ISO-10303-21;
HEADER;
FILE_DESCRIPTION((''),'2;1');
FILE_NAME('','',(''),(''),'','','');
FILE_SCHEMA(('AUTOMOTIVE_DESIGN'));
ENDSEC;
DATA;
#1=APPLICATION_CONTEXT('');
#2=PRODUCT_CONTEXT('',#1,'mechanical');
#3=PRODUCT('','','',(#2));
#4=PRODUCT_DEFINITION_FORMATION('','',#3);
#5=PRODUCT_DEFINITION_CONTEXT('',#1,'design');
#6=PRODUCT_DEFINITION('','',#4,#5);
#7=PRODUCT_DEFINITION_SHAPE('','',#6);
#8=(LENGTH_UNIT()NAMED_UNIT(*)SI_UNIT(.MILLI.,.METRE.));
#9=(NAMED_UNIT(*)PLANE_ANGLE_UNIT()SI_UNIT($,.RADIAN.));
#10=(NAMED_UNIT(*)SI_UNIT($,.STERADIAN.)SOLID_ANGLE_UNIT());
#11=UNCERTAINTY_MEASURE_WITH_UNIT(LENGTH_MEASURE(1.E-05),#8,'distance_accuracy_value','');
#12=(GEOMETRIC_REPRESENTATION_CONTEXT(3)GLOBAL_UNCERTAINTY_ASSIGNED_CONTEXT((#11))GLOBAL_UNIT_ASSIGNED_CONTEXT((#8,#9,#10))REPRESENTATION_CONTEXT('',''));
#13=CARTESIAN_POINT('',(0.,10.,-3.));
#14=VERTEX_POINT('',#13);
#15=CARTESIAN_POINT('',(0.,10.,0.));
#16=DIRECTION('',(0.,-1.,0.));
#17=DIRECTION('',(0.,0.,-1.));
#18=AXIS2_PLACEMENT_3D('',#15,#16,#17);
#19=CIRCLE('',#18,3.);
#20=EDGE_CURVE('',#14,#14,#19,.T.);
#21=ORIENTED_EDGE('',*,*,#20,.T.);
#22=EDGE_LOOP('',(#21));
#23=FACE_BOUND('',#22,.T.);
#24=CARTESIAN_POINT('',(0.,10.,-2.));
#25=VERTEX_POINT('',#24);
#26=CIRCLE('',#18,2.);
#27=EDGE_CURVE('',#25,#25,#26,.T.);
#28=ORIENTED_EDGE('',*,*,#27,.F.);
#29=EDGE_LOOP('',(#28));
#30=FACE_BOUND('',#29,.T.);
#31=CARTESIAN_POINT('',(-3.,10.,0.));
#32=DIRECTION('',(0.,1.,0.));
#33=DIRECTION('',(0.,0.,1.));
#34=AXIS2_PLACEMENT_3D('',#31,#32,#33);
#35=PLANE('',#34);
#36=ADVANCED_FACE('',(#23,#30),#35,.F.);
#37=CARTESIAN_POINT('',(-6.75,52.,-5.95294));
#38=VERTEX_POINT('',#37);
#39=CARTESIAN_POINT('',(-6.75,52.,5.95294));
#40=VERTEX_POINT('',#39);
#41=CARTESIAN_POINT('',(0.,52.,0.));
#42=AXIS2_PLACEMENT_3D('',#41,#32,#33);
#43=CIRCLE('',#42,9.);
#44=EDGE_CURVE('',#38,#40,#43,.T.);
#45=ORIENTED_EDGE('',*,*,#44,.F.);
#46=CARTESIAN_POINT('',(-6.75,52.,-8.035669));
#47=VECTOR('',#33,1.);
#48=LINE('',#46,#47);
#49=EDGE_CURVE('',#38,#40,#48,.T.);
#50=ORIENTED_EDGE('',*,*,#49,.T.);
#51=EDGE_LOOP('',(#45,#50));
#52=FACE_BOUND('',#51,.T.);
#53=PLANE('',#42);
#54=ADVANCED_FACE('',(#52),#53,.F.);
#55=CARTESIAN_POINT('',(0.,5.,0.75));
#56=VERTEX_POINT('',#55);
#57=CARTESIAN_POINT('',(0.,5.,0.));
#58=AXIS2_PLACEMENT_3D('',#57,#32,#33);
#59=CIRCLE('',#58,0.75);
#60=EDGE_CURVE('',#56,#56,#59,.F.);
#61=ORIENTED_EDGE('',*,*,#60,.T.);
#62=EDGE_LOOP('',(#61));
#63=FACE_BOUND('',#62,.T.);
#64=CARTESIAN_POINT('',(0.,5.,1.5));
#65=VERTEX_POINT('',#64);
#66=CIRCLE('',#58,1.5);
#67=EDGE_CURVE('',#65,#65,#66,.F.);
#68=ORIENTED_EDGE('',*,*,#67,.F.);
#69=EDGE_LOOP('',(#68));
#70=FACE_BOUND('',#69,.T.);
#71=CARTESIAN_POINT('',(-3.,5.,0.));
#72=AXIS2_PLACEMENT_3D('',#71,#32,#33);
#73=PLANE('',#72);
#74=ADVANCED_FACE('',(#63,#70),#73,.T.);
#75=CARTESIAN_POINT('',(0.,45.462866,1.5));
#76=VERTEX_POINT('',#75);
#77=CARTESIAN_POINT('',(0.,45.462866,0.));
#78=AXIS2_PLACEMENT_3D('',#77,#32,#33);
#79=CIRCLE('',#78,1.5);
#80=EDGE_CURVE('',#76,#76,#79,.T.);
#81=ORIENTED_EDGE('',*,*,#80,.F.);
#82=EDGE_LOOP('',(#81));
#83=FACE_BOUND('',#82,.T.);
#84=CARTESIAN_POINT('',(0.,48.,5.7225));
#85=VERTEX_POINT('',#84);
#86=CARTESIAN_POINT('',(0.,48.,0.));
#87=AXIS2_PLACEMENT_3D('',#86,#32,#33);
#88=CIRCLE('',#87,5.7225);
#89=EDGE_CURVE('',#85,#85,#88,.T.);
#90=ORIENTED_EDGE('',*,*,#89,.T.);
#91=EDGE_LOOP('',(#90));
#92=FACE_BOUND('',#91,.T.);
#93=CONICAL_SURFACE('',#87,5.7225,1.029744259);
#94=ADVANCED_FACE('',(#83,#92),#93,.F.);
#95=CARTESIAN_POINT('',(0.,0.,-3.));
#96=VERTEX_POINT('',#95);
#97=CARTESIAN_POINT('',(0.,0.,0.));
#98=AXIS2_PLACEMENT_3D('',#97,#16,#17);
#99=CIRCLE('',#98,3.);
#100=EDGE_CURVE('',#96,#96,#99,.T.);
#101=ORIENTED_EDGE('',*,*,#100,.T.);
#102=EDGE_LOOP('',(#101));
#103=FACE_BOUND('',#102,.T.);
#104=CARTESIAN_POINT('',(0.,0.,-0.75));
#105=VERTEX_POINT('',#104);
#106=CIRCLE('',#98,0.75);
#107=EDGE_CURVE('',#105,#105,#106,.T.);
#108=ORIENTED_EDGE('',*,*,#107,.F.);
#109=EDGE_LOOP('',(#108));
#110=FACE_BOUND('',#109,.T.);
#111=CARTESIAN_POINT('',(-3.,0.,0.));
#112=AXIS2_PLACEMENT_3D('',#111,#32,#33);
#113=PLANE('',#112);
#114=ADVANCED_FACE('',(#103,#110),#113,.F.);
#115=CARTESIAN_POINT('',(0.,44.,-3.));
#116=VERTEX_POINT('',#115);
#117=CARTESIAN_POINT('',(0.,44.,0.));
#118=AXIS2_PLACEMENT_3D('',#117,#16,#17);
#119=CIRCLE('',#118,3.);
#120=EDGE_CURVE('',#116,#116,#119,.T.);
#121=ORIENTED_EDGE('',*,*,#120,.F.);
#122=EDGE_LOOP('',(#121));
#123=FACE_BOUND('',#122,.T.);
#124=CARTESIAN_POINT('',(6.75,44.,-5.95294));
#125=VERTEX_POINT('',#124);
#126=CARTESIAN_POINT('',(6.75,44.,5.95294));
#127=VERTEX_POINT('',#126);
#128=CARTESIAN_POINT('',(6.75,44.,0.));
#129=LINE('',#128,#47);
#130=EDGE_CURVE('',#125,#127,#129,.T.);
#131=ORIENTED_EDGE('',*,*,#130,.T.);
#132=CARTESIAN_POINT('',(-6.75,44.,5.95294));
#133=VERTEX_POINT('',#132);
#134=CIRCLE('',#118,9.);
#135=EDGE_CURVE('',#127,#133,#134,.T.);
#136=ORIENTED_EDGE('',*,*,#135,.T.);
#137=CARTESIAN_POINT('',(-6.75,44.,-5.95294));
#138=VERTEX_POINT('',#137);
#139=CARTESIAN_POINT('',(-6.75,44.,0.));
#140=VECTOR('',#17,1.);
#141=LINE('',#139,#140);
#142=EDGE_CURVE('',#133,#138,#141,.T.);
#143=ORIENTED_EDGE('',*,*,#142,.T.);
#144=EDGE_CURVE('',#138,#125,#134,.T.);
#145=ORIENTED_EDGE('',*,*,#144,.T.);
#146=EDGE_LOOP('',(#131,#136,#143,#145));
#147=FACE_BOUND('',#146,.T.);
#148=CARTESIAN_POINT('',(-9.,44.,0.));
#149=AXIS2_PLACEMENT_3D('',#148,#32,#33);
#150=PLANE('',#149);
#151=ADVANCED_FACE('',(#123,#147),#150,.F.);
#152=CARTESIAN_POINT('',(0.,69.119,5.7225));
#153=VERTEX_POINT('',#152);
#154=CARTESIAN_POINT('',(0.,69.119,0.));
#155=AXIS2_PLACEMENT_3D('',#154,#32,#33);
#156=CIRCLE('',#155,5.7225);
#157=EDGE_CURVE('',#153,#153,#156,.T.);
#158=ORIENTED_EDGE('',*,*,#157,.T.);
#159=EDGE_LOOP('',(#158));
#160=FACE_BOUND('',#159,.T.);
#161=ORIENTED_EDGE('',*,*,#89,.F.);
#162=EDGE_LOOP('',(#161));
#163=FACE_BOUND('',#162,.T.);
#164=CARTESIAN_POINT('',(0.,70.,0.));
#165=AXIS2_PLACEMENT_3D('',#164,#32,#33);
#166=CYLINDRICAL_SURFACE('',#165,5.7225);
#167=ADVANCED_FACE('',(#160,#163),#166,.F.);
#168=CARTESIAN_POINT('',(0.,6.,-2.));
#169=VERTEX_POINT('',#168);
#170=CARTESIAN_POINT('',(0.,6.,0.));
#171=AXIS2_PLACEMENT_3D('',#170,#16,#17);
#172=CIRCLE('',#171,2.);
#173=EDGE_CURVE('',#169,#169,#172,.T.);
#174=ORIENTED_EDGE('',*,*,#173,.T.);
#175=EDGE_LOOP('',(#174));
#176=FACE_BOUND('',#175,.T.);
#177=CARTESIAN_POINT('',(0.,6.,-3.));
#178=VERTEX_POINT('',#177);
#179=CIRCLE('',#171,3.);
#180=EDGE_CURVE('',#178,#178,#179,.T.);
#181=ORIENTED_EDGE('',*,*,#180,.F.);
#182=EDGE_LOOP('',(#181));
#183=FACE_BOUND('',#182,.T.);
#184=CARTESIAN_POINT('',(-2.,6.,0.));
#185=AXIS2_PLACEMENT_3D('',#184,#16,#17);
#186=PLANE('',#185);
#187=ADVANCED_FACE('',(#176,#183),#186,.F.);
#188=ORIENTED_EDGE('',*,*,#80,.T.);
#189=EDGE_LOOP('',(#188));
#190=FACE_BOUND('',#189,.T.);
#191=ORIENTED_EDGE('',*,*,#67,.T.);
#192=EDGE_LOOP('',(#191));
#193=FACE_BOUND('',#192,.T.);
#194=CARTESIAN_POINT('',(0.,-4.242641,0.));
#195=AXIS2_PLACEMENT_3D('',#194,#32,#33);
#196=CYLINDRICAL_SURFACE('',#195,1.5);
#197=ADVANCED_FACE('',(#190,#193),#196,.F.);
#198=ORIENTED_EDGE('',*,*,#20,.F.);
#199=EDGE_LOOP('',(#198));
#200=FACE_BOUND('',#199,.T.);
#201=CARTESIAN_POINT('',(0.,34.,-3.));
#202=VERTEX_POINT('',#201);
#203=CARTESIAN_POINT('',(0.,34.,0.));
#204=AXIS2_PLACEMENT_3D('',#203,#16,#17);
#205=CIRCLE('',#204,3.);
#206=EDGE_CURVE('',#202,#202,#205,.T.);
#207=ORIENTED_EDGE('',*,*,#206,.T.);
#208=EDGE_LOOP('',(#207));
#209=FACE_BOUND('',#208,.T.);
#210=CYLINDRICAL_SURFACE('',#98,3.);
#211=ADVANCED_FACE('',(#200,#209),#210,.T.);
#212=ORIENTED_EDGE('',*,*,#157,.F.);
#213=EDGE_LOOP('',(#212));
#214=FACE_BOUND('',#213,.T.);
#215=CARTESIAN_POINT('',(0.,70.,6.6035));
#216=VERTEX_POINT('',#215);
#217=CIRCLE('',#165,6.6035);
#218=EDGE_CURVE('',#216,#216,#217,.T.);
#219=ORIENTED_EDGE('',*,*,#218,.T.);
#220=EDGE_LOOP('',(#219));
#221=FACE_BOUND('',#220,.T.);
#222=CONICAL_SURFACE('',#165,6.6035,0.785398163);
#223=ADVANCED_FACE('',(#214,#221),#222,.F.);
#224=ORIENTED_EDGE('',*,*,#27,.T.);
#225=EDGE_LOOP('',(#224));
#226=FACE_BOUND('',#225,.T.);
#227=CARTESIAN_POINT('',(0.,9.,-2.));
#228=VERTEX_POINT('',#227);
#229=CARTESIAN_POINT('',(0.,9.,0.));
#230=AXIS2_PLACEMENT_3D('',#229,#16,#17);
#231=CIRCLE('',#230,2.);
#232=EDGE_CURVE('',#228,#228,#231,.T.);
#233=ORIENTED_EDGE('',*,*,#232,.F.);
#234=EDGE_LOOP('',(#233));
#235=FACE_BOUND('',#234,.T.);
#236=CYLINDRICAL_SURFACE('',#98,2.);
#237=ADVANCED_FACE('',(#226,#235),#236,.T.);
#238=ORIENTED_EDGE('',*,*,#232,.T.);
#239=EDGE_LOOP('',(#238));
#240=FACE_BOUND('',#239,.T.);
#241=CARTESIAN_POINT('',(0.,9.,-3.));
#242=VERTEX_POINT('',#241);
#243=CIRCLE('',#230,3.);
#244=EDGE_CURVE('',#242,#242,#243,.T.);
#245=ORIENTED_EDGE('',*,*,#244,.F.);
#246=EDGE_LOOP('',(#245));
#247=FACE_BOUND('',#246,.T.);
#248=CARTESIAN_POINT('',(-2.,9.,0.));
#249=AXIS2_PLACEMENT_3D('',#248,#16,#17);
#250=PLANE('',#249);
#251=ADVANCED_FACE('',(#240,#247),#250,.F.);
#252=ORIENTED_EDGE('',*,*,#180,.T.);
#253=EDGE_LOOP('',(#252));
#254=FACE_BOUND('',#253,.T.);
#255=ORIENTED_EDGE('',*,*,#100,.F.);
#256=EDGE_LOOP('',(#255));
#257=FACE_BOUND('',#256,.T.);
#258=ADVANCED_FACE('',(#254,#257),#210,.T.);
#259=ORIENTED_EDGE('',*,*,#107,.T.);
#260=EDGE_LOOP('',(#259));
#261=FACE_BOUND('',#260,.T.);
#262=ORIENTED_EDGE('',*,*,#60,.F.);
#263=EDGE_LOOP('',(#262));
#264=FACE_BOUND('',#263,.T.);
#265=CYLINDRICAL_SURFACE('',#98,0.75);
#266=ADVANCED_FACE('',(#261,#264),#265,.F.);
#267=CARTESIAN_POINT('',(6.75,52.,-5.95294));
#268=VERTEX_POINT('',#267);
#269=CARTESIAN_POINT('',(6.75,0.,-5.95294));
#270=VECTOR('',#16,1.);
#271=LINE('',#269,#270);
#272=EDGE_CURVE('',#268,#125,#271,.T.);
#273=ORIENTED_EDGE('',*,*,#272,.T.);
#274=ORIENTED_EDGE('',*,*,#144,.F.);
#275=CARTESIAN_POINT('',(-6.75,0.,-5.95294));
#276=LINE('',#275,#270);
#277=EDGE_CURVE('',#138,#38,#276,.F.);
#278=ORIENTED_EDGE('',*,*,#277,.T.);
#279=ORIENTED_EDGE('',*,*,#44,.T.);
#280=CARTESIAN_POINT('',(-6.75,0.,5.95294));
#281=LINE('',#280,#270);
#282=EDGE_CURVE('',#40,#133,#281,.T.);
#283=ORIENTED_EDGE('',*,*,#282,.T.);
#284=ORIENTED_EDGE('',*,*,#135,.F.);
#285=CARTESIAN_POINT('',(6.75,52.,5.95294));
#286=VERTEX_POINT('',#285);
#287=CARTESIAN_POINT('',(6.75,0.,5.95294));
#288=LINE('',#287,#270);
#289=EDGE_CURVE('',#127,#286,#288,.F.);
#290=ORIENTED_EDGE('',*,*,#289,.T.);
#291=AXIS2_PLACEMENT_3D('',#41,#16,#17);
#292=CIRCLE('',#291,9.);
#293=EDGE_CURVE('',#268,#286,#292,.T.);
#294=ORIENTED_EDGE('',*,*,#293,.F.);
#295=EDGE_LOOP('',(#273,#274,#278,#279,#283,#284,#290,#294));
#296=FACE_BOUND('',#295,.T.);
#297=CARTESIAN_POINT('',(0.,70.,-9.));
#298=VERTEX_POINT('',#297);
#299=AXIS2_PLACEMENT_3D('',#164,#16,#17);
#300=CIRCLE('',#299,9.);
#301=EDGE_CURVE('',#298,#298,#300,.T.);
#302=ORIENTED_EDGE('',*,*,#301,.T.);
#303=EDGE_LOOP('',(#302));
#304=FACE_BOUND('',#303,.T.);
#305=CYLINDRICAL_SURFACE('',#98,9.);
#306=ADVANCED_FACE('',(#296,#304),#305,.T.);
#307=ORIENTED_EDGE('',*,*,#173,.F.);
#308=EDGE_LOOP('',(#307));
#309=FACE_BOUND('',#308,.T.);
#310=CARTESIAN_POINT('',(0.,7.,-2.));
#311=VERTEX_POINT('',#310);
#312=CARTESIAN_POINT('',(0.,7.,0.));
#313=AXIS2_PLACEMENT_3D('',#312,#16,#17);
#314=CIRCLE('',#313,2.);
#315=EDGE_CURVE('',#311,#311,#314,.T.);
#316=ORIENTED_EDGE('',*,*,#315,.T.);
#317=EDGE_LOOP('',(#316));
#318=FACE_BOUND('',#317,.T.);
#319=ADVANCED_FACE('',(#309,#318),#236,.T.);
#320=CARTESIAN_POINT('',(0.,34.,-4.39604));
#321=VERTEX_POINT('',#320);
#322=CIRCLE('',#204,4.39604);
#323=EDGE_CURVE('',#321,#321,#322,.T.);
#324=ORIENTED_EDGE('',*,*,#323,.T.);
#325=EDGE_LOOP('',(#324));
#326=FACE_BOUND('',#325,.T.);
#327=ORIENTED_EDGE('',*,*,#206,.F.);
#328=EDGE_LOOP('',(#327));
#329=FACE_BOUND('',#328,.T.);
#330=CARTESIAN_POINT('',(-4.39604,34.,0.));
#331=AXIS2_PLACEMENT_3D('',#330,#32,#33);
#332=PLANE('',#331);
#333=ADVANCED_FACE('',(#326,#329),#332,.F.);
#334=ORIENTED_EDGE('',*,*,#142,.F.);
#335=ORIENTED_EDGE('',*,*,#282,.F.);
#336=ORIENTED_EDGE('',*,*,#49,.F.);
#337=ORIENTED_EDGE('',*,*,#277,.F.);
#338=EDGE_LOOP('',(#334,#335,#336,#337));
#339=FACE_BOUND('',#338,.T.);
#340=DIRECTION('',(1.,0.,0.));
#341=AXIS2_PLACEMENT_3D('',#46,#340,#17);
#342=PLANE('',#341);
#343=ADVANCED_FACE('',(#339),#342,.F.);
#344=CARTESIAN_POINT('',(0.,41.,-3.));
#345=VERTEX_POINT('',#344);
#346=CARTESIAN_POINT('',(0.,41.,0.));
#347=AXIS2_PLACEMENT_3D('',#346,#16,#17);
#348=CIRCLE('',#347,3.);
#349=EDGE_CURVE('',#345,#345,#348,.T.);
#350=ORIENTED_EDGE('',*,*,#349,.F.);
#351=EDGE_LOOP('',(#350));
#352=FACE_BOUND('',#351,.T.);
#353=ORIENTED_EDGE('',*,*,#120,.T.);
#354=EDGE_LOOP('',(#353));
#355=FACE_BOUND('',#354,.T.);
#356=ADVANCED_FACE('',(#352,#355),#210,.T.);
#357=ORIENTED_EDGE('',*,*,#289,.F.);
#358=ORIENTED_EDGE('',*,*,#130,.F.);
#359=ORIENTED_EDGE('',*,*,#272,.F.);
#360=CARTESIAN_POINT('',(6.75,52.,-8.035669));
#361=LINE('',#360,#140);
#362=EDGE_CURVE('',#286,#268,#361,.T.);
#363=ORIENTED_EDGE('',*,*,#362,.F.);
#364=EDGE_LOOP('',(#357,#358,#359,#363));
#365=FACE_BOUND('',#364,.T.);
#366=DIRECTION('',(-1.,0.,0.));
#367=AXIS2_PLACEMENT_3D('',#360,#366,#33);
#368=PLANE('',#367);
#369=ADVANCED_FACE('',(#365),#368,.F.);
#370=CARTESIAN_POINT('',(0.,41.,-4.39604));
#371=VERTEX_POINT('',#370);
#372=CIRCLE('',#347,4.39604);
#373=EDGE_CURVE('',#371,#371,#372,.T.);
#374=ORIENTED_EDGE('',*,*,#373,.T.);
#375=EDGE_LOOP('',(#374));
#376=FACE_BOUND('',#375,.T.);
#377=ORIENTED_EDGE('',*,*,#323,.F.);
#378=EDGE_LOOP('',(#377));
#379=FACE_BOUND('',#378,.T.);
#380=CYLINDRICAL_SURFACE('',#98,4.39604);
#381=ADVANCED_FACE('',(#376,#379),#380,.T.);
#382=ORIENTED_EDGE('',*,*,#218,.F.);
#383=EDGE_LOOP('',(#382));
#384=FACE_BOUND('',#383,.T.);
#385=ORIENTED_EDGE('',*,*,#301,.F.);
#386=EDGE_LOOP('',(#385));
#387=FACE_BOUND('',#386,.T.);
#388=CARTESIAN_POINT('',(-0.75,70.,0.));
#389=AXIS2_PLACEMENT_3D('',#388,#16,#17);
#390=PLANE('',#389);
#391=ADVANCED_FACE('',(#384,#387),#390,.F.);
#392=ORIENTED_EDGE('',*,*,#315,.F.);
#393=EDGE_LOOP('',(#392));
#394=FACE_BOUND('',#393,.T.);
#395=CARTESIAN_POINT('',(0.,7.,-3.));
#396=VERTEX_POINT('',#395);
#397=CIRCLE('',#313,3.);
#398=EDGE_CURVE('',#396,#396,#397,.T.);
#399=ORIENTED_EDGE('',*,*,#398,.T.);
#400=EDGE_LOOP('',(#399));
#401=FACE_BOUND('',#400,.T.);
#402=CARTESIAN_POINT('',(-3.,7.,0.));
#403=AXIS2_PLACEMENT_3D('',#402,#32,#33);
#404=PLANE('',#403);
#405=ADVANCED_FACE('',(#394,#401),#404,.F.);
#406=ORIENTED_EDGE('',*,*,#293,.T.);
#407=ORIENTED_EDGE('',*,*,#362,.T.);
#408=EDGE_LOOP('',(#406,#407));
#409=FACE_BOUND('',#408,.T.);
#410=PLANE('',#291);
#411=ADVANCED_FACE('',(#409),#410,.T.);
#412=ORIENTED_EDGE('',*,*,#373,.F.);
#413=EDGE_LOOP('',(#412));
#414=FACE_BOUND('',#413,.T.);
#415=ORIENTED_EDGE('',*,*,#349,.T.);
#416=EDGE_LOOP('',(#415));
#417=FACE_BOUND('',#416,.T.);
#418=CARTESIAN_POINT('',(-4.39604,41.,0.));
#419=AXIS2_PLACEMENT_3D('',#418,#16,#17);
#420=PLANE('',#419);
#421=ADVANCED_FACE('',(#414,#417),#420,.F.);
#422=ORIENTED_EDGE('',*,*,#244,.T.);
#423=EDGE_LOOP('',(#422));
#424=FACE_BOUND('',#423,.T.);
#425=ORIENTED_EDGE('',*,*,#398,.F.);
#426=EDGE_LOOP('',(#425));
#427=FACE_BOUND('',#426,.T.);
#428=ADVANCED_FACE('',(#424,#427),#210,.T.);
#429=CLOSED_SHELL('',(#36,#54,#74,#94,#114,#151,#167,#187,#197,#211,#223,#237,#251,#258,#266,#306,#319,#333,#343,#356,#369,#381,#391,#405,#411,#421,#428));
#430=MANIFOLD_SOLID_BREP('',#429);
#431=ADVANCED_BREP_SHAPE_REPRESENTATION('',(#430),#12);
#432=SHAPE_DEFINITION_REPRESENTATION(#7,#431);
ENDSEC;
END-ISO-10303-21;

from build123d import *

# Parameters (mm, degrees)
SKETCH17_R                    = 1.5
CUT_EXTRUDE1_DEPTH            = 65
G1_4_TAPPED_HOLE1_D           = 11.445
G1_4_TAPPED_HOLE1_DEPTH       = 22
G1_4_TAPPED_HOLE1_CSINK_D     = 13.207
G1_4_TAPPED_HOLE1_CSINK_ANGLE = 90
G1_4_TAPPED_HOLE1_TIP         = 3.438424892
SKETCH18_W                    = 13.595594723
SKETCH18_H                    = 16.071338344
CUT_EXTRUDE2_DEPTH            = 8


with BuildPart() as part:
    # Sketch1 → Revolve1 (revolve)
    with BuildSketch(Plane.XY):
        Polygon((-0.75, 0), (-0.75, 70), (-9, 70), (-9, 44), (-3, 44), (-3, 41), (-4.396039606, 41), (-4.396039606, 34), (-3, 34), (-3, 10), (-2, 10), (-2, 9), (-3, 9), (-3, 7), (-2, 7), (-2, 6), (-3, 6), (-3, 0), align=None)
    revolve(axis=Axis((0, 0, 0), (0, 1, 0)))

    # Sketch17 → Cut-Extrude1 (cut)
    with BuildSketch(Plane(origin=(0, 70, 0), x_dir=(1, 0, 0), z_dir=(0, 1, 0))):
        Circle(SKETCH17_R)
    extrude(amount=-CUT_EXTRUDE1_DEPTH, mode=Mode.SUBTRACT)

    # G1/4 Tapped Hole1
    with Locations(Plane(origin=(0, 70, 0), x_dir=(1, 0, 0), z_dir=(0, 1, 0))):
        with Locations((0, 0)):
            CounterSinkHole(G1_4_TAPPED_HOLE1_D / 2, G1_4_TAPPED_HOLE1_CSINK_D / 2, depth=G1_4_TAPPED_HOLE1_DEPTH, counter_sink_angle=G1_4_TAPPED_HOLE1_CSINK_ANGLE)
            with Locations((0, 0, -(G1_4_TAPPED_HOLE1_DEPTH + G1_4_TAPPED_HOLE1_TIP / 2))):  # 118° drill point
                Cone(0, G1_4_TAPPED_HOLE1_D / 2, G1_4_TAPPED_HOLE1_TIP, mode=Mode.SUBTRACT)

    # Sketch18 → Cut-Extrude2 (cut)
    with BuildSketch(Plane.XZ.offset(-44)):
        with Locations((-13.547797362, 0)):
            Rectangle(SKETCH18_W, SKETCH18_H)
        with Locations((13.547797362, 0)):
            Rectangle(SKETCH18_W, SKETCH18_H)
    extrude(amount=-CUT_EXTRUDE2_DEPTH, mode=Mode.SUBTRACT)


solid = part.part
